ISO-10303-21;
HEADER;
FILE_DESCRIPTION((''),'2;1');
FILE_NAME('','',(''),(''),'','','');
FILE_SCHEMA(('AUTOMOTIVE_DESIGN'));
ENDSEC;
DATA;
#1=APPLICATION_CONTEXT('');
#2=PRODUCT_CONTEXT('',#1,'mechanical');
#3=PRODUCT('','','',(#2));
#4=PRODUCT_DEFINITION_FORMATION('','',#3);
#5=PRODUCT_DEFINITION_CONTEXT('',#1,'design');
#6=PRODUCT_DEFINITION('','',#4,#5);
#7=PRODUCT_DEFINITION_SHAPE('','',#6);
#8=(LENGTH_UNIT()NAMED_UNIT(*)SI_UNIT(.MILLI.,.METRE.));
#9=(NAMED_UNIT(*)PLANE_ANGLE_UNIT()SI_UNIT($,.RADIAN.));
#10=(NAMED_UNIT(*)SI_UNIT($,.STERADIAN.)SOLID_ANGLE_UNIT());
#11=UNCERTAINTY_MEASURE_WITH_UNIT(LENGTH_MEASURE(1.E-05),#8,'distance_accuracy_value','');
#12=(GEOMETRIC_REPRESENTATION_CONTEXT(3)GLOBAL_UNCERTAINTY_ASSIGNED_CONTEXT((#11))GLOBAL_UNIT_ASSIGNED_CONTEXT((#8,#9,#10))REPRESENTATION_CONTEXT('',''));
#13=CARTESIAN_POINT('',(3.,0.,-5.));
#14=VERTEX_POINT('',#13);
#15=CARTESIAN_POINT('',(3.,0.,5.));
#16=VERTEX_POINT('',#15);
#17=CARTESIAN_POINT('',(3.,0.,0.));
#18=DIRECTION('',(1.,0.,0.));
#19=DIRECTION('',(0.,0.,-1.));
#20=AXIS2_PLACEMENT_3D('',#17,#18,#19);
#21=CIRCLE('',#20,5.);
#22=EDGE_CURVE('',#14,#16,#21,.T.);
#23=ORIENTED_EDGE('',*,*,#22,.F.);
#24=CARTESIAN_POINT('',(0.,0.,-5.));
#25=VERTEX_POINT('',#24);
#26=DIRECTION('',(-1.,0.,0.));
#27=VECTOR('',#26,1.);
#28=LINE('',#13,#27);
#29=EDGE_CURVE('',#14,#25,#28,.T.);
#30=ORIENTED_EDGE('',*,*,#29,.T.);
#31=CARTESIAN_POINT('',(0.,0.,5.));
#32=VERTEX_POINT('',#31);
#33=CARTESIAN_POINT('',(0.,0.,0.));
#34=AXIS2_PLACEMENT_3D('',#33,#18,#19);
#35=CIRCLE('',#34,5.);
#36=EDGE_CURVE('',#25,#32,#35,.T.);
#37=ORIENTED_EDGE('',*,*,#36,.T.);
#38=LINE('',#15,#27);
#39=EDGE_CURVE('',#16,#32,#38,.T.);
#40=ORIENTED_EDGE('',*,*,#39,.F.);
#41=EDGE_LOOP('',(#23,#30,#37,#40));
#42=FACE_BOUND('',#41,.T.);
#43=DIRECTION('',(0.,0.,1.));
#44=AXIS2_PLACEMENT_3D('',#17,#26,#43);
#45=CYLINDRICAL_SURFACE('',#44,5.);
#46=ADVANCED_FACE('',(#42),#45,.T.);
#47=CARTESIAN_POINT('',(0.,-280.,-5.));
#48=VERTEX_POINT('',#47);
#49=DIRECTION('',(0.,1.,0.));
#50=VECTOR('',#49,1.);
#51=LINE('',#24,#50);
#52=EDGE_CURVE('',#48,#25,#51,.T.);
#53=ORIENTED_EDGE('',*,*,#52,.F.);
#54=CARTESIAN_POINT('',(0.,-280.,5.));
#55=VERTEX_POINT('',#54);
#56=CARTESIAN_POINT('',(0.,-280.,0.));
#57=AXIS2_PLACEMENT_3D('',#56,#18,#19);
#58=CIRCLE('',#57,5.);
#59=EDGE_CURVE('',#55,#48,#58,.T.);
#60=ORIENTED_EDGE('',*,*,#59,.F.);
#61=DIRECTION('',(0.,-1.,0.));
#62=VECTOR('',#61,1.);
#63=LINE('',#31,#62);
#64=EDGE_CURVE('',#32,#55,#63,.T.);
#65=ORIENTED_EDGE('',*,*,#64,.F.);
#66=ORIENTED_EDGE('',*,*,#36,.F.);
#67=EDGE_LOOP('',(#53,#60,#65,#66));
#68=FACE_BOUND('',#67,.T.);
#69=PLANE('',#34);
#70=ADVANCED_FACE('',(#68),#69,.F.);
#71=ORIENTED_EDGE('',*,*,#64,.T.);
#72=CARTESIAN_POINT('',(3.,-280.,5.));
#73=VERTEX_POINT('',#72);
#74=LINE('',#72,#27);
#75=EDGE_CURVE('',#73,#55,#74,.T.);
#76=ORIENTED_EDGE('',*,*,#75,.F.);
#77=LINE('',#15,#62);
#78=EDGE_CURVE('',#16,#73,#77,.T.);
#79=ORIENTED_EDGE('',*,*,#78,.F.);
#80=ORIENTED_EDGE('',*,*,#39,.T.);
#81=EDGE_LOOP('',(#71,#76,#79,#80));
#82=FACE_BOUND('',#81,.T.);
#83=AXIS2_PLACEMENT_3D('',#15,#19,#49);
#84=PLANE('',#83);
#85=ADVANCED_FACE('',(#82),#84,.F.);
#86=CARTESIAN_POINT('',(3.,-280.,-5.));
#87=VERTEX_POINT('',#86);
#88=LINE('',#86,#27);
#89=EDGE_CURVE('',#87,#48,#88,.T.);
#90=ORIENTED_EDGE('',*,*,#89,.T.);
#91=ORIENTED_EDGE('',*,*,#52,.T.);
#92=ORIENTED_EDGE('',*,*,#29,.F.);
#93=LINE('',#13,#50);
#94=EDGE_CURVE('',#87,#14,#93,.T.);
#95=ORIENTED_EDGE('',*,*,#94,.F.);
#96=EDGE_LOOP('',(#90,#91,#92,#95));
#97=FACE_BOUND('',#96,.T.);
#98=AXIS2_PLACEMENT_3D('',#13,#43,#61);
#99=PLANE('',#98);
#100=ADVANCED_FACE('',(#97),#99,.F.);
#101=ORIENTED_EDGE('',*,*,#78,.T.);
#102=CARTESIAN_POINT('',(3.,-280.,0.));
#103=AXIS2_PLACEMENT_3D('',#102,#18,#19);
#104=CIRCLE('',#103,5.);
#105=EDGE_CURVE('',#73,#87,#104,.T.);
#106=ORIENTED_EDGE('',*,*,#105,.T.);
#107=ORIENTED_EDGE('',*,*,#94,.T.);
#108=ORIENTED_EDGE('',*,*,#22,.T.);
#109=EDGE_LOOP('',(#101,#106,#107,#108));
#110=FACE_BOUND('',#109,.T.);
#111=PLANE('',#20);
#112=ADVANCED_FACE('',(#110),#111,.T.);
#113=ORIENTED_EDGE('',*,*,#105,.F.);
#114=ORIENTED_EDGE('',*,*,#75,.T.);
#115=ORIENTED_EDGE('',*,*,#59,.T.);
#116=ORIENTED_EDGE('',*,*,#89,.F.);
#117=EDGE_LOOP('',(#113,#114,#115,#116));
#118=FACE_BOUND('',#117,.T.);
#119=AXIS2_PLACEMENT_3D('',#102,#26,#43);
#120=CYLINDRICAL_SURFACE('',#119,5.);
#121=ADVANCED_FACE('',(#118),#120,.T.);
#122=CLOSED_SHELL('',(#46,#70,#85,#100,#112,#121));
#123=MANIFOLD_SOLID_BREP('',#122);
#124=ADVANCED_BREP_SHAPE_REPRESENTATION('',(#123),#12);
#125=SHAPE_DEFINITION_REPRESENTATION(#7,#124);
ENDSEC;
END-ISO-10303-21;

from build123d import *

# Parameters (mm, degrees)
BOSS_EXTRUDE1_DEPTH = 3


with BuildPart() as part:
    # Sketch1 → Boss-Extrude1 (new body)
    with BuildSketch(Plane(origin=(0, 0, 0), x_dir=(0, 0, -1), z_dir=(1, 0, 0))):
        with BuildLine():
            Line((5, 0), (5, -280))
            ThreePointArc((5, -280), (0, -285), (-5, -280))
            Line((-5, -280), (-5, 0))
            ThreePointArc((-5, 0), (0, 5), (5, 0))
        make_face()
    extrude(amount=BOSS_EXTRUDE1_DEPTH)


solid = part.part
